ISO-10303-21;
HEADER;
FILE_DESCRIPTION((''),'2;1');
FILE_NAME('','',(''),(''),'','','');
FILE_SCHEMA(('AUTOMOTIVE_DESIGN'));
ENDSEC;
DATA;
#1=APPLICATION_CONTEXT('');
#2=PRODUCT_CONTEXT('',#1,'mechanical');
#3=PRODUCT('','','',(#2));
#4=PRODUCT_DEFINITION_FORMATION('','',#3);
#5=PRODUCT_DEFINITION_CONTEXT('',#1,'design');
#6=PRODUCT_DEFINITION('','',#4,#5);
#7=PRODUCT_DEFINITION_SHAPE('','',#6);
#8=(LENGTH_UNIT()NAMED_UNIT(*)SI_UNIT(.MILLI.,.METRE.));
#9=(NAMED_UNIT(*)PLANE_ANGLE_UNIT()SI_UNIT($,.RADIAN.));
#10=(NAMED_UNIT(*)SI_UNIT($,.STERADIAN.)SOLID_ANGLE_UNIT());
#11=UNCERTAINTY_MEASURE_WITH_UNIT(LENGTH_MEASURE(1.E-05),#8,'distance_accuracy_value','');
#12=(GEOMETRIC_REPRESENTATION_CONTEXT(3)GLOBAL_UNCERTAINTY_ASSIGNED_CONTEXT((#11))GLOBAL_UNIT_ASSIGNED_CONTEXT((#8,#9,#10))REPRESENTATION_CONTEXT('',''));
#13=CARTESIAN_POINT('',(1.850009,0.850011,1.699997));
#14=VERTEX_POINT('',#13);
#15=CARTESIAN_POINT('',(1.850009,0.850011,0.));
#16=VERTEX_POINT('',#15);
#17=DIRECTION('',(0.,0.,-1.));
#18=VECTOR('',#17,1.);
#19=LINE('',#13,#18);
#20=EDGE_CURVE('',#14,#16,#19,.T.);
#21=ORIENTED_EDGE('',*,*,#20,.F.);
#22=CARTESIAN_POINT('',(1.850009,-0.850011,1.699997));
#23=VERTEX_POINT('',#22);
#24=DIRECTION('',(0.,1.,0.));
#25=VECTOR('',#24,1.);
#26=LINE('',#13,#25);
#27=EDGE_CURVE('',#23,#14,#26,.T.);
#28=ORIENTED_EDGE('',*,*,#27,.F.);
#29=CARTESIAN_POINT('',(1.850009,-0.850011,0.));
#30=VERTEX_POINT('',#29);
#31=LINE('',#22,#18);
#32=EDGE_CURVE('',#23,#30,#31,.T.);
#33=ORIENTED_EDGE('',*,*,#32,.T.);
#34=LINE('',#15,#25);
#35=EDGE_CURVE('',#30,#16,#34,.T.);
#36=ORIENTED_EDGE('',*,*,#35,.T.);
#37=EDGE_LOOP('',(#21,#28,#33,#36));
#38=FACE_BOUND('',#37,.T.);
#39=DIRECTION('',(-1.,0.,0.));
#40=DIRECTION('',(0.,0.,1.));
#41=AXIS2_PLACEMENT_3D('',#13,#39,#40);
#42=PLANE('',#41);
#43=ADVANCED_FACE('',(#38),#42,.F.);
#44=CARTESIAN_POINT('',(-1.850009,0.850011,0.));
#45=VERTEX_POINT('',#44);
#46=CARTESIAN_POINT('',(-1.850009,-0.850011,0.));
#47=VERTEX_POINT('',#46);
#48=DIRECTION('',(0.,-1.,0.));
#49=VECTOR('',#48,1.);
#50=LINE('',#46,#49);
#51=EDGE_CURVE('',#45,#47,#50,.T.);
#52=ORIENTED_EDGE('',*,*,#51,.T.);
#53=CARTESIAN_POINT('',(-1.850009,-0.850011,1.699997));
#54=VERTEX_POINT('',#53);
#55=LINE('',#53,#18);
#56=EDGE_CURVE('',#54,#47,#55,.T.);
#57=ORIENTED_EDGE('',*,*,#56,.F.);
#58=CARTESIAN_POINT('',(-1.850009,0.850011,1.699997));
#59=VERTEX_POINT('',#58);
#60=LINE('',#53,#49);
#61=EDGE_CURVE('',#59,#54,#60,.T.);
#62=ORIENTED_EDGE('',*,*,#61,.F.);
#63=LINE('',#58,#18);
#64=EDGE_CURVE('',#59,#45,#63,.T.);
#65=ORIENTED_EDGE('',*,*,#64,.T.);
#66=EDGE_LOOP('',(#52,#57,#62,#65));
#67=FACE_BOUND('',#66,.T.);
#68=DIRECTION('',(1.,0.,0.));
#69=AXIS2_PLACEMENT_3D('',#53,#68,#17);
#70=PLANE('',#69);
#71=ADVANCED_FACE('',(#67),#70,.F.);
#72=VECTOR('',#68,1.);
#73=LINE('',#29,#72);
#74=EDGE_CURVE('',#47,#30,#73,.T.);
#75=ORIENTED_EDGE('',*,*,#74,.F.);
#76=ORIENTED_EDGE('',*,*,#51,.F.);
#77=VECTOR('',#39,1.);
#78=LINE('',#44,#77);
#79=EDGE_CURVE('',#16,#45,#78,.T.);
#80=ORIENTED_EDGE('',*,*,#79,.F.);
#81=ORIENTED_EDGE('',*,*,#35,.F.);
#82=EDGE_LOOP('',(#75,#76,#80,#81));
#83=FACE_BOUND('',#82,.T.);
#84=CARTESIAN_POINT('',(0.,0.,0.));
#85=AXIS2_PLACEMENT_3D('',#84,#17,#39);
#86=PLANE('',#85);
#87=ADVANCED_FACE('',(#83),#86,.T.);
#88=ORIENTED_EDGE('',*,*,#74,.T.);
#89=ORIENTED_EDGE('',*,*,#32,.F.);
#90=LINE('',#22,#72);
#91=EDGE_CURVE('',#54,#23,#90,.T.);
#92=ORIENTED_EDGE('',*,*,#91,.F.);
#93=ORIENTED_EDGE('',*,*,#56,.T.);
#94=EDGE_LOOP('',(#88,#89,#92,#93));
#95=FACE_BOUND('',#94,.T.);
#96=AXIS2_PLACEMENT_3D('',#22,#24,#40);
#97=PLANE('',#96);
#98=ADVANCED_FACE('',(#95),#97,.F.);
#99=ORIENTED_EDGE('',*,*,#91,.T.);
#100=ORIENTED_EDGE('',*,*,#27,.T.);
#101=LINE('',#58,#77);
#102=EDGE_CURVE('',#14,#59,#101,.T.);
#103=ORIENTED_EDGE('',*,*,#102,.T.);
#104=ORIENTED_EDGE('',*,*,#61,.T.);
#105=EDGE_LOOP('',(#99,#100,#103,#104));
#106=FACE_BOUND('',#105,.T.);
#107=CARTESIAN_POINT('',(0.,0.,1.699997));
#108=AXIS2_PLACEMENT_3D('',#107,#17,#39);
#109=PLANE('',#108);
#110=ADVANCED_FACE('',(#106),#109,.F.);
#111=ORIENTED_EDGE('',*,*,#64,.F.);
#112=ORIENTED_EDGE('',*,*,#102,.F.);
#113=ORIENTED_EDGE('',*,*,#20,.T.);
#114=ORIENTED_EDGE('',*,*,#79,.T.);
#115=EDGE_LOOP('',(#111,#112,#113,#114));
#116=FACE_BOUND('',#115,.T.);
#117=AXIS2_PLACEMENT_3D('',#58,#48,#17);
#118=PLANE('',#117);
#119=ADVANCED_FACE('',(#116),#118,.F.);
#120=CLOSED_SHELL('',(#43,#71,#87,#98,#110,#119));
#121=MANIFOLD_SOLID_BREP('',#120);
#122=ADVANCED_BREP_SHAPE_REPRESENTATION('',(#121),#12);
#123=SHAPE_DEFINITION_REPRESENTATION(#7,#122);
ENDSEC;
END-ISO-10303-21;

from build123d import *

# Parameters (mm, degrees)
SKETCH1_W               = 3.700018
SKETCH1_H               = 1.700022
COMPONENT_OUTLINE_DEPTH = 1.6999966


with BuildPart() as part:
    # Sketch1 → Component_Outline (new body)
    with BuildSketch(Plane.XY):
        Rectangle(SKETCH1_W, SKETCH1_H)
    extrude(amount=COMPONENT_OUTLINE_DEPTH)


solid = part.part
